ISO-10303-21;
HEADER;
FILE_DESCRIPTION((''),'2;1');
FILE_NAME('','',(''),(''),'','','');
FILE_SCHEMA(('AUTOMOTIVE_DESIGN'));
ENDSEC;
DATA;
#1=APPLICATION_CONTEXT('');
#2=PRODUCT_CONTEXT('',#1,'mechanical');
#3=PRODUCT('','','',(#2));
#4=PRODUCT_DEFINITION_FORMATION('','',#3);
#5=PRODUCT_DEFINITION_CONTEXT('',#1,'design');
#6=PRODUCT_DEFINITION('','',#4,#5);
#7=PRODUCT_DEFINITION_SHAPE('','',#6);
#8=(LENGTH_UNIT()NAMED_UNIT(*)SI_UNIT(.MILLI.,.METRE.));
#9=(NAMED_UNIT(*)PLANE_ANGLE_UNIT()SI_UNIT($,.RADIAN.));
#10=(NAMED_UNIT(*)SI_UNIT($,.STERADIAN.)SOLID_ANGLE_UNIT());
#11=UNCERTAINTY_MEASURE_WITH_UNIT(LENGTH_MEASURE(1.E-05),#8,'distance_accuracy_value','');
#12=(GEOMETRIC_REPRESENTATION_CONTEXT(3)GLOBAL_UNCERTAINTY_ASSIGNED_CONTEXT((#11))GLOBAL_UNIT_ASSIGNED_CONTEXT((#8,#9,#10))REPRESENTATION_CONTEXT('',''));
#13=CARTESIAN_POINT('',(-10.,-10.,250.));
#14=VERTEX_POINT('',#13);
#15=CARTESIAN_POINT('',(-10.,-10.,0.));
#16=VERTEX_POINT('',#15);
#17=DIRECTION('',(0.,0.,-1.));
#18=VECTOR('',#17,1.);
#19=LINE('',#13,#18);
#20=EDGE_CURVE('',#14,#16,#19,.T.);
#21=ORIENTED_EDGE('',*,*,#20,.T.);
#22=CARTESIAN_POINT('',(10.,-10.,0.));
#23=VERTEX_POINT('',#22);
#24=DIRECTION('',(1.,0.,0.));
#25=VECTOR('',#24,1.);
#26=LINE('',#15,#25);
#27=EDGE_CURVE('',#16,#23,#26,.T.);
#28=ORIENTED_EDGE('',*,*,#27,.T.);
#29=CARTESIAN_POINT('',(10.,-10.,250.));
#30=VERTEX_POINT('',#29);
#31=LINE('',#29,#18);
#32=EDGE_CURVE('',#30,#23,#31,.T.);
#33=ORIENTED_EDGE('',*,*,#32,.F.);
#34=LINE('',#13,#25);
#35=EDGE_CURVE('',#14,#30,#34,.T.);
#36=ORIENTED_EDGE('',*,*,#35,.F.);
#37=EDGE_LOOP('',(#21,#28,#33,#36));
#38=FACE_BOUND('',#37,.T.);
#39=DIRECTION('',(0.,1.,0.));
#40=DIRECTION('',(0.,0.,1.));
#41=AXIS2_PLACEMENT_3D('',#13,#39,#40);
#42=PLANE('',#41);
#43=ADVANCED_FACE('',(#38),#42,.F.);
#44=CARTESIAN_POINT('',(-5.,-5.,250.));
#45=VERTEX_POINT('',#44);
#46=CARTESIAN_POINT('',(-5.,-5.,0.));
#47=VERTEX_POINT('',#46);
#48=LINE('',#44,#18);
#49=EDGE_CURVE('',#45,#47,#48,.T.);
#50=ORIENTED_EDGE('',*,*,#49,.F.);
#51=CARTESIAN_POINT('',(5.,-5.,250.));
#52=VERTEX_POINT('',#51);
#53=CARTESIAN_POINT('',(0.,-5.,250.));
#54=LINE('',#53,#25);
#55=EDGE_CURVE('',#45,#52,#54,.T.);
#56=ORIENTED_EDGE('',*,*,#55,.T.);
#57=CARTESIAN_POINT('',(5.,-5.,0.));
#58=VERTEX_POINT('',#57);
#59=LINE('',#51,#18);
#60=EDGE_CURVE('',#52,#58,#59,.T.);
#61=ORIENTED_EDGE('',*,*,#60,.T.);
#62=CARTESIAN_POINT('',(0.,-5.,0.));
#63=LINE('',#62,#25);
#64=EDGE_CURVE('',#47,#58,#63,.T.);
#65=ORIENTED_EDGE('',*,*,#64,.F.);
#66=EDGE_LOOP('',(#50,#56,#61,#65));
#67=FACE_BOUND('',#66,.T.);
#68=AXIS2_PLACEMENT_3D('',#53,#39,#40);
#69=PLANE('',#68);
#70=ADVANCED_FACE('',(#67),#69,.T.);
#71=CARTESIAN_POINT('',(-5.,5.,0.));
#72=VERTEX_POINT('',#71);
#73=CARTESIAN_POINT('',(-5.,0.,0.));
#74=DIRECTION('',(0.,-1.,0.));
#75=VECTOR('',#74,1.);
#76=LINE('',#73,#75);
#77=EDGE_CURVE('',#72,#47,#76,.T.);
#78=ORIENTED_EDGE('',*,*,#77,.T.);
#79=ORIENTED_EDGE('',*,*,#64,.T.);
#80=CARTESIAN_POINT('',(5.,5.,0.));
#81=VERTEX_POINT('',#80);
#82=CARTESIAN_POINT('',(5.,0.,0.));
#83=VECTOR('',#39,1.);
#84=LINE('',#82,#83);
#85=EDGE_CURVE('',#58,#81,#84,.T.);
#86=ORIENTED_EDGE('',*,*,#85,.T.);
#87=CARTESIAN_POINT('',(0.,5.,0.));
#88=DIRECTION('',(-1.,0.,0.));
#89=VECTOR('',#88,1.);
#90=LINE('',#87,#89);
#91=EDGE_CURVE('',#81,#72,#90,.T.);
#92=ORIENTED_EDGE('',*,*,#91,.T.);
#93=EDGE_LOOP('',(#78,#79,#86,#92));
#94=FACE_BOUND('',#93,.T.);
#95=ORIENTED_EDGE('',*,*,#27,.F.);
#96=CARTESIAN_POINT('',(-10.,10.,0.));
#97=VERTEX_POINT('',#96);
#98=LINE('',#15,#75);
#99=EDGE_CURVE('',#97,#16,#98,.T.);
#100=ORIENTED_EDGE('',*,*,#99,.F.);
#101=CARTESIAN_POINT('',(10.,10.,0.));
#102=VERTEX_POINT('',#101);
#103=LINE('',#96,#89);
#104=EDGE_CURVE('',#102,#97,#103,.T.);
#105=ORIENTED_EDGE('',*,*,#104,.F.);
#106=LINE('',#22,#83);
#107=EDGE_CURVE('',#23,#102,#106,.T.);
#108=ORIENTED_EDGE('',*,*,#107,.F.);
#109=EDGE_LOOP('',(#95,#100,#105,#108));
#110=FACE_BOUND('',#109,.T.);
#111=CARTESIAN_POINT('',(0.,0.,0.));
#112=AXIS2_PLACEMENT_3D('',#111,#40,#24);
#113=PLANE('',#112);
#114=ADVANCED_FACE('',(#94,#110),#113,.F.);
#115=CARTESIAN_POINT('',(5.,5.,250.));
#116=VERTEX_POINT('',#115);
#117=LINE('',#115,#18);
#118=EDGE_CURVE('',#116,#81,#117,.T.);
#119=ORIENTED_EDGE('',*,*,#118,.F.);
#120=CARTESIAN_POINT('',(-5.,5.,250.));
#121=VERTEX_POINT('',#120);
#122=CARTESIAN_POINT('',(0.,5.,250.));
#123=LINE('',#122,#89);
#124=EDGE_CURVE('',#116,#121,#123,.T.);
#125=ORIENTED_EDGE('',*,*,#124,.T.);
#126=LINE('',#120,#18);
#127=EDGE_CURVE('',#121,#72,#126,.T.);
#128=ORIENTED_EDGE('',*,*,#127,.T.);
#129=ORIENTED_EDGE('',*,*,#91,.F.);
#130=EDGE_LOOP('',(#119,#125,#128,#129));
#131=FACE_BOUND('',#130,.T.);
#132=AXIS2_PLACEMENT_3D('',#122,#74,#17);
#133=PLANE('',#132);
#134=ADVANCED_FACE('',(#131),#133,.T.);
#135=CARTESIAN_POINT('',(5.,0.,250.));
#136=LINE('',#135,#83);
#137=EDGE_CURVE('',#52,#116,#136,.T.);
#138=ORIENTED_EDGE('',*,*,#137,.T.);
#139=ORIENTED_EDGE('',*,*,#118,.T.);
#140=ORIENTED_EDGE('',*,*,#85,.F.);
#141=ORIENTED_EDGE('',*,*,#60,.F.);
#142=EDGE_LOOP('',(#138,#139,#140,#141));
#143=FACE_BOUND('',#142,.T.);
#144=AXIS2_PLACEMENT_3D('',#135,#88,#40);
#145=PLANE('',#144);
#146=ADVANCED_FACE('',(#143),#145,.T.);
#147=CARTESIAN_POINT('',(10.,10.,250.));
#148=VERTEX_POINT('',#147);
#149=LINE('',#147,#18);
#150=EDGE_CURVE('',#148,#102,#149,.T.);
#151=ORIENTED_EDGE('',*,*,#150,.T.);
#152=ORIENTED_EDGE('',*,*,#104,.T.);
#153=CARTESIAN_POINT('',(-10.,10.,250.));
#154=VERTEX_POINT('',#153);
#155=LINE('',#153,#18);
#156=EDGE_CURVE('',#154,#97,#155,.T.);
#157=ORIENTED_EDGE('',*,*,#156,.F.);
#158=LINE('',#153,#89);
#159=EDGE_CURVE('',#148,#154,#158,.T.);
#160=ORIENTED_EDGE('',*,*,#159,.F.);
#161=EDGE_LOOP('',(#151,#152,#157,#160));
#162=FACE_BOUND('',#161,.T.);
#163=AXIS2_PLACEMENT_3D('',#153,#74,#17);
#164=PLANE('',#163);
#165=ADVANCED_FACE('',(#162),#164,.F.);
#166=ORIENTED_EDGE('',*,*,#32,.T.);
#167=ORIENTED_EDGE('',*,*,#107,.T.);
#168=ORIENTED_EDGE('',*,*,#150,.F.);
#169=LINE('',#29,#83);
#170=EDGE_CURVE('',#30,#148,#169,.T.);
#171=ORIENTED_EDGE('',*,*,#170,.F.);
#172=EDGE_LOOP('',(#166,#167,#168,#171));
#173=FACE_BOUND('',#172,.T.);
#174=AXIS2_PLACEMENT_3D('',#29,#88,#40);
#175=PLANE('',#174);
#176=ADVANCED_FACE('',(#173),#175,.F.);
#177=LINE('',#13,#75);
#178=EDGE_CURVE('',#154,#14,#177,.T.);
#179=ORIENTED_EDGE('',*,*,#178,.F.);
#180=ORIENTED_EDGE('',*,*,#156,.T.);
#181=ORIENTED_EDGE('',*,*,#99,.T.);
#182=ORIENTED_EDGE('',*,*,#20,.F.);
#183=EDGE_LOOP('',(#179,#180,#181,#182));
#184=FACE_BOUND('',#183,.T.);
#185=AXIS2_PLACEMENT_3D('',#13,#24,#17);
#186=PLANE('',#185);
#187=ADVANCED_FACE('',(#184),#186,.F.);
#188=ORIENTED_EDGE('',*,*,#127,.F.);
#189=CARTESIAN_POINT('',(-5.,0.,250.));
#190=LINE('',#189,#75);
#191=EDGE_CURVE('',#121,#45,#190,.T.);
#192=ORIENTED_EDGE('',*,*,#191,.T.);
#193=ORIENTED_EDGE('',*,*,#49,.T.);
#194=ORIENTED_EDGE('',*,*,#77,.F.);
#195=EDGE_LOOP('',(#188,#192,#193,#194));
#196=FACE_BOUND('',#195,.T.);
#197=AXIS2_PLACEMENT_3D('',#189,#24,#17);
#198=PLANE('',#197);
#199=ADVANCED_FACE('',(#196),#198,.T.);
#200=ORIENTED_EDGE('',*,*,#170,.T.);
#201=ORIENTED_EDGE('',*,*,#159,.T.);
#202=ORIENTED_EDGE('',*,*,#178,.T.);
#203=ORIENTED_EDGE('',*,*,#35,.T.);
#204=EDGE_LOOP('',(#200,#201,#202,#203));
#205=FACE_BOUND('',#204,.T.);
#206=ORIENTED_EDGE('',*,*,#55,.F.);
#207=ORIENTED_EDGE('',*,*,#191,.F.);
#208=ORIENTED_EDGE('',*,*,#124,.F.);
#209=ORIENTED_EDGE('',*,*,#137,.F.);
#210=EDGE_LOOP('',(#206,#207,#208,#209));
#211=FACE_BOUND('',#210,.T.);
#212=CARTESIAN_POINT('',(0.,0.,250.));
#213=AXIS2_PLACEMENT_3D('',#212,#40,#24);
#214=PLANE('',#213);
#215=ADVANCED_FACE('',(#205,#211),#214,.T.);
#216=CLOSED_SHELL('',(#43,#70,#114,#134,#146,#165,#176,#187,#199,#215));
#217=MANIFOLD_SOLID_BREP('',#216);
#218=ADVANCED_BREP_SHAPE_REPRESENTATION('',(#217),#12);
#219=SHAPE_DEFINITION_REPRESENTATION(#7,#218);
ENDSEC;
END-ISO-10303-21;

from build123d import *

# Parameters (mm, degrees)
SKETCH1_W           = 20
SKETCH1_H           = 20
SKETCH1_W_2         = 10
SKETCH1_H_2         = 10
EXTRUDE_THIN1_DEPTH = 250


with BuildPart() as part:
    # Sketch1 → Extrude-Thin1 (new body)
    with BuildSketch(Plane.XY):
        Rectangle(SKETCH1_W, SKETCH1_H)
        Rectangle(SKETCH1_W_2, SKETCH1_H_2, mode=Mode.SUBTRACT)
    extrude(amount=EXTRUDE_THIN1_DEPTH)


solid = part.part
